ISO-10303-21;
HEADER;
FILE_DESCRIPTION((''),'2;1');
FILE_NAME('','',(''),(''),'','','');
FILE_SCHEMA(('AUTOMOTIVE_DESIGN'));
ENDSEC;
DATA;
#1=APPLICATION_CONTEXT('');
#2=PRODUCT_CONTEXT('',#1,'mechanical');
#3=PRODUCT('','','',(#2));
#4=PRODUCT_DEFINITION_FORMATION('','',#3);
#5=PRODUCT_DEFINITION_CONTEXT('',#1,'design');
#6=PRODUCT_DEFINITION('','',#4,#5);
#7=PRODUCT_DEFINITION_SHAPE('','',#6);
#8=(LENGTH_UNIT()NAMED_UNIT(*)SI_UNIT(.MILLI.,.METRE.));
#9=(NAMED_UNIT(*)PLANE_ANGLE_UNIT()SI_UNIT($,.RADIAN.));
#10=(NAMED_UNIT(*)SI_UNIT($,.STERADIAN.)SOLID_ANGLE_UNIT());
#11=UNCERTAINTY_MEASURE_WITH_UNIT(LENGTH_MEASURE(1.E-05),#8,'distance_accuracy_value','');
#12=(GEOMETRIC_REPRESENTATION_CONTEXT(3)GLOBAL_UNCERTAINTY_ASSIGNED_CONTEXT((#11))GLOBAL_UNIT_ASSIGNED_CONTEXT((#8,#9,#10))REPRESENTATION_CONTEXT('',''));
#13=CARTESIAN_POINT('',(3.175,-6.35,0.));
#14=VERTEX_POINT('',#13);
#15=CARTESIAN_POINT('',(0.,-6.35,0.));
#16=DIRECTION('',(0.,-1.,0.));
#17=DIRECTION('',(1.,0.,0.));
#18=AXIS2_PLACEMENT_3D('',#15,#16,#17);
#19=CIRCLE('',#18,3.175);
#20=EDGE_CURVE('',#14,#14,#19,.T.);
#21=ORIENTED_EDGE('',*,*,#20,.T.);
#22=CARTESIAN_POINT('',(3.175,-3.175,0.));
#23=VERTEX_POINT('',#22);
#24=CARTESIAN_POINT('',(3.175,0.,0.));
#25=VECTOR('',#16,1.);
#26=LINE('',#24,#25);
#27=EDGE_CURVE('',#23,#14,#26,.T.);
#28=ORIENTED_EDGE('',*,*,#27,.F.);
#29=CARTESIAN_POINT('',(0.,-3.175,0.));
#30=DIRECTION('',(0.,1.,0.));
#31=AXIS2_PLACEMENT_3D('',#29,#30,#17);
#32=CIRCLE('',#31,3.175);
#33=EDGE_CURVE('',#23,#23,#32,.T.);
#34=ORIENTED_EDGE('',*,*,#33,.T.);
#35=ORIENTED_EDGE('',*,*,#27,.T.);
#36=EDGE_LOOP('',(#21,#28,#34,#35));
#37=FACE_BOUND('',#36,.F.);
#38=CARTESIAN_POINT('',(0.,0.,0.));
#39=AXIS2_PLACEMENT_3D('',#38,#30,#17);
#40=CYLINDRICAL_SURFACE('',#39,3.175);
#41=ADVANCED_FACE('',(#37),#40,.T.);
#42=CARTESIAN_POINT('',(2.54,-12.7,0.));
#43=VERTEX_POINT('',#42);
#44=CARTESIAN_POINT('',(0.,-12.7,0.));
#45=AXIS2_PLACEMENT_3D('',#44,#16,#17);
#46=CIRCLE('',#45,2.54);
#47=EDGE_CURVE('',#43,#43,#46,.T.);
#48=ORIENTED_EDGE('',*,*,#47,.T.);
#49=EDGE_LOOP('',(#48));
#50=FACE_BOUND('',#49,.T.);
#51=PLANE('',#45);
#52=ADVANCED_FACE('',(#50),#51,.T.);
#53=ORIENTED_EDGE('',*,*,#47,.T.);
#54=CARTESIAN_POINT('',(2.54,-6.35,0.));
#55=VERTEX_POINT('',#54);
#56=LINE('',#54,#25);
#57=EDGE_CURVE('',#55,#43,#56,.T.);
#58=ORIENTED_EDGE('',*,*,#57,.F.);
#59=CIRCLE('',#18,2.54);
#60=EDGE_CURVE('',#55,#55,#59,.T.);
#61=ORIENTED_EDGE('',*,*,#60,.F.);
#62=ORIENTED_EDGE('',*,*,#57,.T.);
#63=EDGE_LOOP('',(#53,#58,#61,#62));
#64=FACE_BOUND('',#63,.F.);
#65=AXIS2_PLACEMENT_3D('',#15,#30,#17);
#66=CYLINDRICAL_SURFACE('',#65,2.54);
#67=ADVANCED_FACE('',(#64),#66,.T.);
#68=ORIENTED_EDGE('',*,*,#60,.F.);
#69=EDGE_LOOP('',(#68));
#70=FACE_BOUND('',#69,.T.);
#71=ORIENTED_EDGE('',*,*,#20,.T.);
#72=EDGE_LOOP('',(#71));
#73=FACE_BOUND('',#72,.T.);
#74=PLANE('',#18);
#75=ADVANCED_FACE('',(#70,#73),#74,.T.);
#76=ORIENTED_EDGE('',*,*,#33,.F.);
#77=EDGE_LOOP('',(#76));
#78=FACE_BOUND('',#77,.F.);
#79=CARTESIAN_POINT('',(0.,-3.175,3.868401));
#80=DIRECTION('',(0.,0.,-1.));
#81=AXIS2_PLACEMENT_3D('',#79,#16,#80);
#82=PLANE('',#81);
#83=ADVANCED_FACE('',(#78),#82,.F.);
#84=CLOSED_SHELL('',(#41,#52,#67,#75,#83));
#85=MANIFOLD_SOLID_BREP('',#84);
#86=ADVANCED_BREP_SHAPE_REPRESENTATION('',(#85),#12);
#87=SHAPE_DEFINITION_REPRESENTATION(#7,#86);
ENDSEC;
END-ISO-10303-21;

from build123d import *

# Parameters (mm, degrees)
F0_R          = 3.175
F1_DEPTH      = 6.35
F2_R          = 2.54
F3_DEPTH      = 6.35
F3_DEPTH_BACK = 12.7
F5_DEPTH      = 12.7
F6_W          = 10.36966
F6_H          = 6.35
F7_DEPTH      = 25.4


with BuildPart() as f1:
    # F0 (on Front) → F1 (new body)
    with BuildSketch(Plane.XZ):
        Circle(F0_R)
    extrude(amount=F1_DEPTH)

    # F2 (on face) → F3 (join, two sides)
    with BuildSketch(Plane.XZ.offset(6.35)) as f3_sk:
        Circle(F2_R)
    extrude(amount=F3_DEPTH)
    extrude(f3_sk.sketch, amount=-F3_DEPTH_BACK)

    # F4 (on Right) → F5 (cut)
    with BuildSketch(Plane.YZ):
        Polygon((8.097555, 3.648834), (-3.175, 3.868401), (-3.175, 0), (-3.175, -4.03599), (8.097555, -4.03599), align=None)
    extrude(amount=-F5_DEPTH, mode=Mode.SUBTRACT)

    # F6 (on face) → F7 (cut)
    with BuildSketch(Plane(origin=(0, 0, 0), x_dir=(0, -1, 0), z_dir=(-1, 0, 0))):
        with Locations((-2.00983, 0)):
            Rectangle(F6_W, F6_H)
    extrude(amount=-F7_DEPTH, mode=Mode.SUBTRACT)


solid = f1.part
